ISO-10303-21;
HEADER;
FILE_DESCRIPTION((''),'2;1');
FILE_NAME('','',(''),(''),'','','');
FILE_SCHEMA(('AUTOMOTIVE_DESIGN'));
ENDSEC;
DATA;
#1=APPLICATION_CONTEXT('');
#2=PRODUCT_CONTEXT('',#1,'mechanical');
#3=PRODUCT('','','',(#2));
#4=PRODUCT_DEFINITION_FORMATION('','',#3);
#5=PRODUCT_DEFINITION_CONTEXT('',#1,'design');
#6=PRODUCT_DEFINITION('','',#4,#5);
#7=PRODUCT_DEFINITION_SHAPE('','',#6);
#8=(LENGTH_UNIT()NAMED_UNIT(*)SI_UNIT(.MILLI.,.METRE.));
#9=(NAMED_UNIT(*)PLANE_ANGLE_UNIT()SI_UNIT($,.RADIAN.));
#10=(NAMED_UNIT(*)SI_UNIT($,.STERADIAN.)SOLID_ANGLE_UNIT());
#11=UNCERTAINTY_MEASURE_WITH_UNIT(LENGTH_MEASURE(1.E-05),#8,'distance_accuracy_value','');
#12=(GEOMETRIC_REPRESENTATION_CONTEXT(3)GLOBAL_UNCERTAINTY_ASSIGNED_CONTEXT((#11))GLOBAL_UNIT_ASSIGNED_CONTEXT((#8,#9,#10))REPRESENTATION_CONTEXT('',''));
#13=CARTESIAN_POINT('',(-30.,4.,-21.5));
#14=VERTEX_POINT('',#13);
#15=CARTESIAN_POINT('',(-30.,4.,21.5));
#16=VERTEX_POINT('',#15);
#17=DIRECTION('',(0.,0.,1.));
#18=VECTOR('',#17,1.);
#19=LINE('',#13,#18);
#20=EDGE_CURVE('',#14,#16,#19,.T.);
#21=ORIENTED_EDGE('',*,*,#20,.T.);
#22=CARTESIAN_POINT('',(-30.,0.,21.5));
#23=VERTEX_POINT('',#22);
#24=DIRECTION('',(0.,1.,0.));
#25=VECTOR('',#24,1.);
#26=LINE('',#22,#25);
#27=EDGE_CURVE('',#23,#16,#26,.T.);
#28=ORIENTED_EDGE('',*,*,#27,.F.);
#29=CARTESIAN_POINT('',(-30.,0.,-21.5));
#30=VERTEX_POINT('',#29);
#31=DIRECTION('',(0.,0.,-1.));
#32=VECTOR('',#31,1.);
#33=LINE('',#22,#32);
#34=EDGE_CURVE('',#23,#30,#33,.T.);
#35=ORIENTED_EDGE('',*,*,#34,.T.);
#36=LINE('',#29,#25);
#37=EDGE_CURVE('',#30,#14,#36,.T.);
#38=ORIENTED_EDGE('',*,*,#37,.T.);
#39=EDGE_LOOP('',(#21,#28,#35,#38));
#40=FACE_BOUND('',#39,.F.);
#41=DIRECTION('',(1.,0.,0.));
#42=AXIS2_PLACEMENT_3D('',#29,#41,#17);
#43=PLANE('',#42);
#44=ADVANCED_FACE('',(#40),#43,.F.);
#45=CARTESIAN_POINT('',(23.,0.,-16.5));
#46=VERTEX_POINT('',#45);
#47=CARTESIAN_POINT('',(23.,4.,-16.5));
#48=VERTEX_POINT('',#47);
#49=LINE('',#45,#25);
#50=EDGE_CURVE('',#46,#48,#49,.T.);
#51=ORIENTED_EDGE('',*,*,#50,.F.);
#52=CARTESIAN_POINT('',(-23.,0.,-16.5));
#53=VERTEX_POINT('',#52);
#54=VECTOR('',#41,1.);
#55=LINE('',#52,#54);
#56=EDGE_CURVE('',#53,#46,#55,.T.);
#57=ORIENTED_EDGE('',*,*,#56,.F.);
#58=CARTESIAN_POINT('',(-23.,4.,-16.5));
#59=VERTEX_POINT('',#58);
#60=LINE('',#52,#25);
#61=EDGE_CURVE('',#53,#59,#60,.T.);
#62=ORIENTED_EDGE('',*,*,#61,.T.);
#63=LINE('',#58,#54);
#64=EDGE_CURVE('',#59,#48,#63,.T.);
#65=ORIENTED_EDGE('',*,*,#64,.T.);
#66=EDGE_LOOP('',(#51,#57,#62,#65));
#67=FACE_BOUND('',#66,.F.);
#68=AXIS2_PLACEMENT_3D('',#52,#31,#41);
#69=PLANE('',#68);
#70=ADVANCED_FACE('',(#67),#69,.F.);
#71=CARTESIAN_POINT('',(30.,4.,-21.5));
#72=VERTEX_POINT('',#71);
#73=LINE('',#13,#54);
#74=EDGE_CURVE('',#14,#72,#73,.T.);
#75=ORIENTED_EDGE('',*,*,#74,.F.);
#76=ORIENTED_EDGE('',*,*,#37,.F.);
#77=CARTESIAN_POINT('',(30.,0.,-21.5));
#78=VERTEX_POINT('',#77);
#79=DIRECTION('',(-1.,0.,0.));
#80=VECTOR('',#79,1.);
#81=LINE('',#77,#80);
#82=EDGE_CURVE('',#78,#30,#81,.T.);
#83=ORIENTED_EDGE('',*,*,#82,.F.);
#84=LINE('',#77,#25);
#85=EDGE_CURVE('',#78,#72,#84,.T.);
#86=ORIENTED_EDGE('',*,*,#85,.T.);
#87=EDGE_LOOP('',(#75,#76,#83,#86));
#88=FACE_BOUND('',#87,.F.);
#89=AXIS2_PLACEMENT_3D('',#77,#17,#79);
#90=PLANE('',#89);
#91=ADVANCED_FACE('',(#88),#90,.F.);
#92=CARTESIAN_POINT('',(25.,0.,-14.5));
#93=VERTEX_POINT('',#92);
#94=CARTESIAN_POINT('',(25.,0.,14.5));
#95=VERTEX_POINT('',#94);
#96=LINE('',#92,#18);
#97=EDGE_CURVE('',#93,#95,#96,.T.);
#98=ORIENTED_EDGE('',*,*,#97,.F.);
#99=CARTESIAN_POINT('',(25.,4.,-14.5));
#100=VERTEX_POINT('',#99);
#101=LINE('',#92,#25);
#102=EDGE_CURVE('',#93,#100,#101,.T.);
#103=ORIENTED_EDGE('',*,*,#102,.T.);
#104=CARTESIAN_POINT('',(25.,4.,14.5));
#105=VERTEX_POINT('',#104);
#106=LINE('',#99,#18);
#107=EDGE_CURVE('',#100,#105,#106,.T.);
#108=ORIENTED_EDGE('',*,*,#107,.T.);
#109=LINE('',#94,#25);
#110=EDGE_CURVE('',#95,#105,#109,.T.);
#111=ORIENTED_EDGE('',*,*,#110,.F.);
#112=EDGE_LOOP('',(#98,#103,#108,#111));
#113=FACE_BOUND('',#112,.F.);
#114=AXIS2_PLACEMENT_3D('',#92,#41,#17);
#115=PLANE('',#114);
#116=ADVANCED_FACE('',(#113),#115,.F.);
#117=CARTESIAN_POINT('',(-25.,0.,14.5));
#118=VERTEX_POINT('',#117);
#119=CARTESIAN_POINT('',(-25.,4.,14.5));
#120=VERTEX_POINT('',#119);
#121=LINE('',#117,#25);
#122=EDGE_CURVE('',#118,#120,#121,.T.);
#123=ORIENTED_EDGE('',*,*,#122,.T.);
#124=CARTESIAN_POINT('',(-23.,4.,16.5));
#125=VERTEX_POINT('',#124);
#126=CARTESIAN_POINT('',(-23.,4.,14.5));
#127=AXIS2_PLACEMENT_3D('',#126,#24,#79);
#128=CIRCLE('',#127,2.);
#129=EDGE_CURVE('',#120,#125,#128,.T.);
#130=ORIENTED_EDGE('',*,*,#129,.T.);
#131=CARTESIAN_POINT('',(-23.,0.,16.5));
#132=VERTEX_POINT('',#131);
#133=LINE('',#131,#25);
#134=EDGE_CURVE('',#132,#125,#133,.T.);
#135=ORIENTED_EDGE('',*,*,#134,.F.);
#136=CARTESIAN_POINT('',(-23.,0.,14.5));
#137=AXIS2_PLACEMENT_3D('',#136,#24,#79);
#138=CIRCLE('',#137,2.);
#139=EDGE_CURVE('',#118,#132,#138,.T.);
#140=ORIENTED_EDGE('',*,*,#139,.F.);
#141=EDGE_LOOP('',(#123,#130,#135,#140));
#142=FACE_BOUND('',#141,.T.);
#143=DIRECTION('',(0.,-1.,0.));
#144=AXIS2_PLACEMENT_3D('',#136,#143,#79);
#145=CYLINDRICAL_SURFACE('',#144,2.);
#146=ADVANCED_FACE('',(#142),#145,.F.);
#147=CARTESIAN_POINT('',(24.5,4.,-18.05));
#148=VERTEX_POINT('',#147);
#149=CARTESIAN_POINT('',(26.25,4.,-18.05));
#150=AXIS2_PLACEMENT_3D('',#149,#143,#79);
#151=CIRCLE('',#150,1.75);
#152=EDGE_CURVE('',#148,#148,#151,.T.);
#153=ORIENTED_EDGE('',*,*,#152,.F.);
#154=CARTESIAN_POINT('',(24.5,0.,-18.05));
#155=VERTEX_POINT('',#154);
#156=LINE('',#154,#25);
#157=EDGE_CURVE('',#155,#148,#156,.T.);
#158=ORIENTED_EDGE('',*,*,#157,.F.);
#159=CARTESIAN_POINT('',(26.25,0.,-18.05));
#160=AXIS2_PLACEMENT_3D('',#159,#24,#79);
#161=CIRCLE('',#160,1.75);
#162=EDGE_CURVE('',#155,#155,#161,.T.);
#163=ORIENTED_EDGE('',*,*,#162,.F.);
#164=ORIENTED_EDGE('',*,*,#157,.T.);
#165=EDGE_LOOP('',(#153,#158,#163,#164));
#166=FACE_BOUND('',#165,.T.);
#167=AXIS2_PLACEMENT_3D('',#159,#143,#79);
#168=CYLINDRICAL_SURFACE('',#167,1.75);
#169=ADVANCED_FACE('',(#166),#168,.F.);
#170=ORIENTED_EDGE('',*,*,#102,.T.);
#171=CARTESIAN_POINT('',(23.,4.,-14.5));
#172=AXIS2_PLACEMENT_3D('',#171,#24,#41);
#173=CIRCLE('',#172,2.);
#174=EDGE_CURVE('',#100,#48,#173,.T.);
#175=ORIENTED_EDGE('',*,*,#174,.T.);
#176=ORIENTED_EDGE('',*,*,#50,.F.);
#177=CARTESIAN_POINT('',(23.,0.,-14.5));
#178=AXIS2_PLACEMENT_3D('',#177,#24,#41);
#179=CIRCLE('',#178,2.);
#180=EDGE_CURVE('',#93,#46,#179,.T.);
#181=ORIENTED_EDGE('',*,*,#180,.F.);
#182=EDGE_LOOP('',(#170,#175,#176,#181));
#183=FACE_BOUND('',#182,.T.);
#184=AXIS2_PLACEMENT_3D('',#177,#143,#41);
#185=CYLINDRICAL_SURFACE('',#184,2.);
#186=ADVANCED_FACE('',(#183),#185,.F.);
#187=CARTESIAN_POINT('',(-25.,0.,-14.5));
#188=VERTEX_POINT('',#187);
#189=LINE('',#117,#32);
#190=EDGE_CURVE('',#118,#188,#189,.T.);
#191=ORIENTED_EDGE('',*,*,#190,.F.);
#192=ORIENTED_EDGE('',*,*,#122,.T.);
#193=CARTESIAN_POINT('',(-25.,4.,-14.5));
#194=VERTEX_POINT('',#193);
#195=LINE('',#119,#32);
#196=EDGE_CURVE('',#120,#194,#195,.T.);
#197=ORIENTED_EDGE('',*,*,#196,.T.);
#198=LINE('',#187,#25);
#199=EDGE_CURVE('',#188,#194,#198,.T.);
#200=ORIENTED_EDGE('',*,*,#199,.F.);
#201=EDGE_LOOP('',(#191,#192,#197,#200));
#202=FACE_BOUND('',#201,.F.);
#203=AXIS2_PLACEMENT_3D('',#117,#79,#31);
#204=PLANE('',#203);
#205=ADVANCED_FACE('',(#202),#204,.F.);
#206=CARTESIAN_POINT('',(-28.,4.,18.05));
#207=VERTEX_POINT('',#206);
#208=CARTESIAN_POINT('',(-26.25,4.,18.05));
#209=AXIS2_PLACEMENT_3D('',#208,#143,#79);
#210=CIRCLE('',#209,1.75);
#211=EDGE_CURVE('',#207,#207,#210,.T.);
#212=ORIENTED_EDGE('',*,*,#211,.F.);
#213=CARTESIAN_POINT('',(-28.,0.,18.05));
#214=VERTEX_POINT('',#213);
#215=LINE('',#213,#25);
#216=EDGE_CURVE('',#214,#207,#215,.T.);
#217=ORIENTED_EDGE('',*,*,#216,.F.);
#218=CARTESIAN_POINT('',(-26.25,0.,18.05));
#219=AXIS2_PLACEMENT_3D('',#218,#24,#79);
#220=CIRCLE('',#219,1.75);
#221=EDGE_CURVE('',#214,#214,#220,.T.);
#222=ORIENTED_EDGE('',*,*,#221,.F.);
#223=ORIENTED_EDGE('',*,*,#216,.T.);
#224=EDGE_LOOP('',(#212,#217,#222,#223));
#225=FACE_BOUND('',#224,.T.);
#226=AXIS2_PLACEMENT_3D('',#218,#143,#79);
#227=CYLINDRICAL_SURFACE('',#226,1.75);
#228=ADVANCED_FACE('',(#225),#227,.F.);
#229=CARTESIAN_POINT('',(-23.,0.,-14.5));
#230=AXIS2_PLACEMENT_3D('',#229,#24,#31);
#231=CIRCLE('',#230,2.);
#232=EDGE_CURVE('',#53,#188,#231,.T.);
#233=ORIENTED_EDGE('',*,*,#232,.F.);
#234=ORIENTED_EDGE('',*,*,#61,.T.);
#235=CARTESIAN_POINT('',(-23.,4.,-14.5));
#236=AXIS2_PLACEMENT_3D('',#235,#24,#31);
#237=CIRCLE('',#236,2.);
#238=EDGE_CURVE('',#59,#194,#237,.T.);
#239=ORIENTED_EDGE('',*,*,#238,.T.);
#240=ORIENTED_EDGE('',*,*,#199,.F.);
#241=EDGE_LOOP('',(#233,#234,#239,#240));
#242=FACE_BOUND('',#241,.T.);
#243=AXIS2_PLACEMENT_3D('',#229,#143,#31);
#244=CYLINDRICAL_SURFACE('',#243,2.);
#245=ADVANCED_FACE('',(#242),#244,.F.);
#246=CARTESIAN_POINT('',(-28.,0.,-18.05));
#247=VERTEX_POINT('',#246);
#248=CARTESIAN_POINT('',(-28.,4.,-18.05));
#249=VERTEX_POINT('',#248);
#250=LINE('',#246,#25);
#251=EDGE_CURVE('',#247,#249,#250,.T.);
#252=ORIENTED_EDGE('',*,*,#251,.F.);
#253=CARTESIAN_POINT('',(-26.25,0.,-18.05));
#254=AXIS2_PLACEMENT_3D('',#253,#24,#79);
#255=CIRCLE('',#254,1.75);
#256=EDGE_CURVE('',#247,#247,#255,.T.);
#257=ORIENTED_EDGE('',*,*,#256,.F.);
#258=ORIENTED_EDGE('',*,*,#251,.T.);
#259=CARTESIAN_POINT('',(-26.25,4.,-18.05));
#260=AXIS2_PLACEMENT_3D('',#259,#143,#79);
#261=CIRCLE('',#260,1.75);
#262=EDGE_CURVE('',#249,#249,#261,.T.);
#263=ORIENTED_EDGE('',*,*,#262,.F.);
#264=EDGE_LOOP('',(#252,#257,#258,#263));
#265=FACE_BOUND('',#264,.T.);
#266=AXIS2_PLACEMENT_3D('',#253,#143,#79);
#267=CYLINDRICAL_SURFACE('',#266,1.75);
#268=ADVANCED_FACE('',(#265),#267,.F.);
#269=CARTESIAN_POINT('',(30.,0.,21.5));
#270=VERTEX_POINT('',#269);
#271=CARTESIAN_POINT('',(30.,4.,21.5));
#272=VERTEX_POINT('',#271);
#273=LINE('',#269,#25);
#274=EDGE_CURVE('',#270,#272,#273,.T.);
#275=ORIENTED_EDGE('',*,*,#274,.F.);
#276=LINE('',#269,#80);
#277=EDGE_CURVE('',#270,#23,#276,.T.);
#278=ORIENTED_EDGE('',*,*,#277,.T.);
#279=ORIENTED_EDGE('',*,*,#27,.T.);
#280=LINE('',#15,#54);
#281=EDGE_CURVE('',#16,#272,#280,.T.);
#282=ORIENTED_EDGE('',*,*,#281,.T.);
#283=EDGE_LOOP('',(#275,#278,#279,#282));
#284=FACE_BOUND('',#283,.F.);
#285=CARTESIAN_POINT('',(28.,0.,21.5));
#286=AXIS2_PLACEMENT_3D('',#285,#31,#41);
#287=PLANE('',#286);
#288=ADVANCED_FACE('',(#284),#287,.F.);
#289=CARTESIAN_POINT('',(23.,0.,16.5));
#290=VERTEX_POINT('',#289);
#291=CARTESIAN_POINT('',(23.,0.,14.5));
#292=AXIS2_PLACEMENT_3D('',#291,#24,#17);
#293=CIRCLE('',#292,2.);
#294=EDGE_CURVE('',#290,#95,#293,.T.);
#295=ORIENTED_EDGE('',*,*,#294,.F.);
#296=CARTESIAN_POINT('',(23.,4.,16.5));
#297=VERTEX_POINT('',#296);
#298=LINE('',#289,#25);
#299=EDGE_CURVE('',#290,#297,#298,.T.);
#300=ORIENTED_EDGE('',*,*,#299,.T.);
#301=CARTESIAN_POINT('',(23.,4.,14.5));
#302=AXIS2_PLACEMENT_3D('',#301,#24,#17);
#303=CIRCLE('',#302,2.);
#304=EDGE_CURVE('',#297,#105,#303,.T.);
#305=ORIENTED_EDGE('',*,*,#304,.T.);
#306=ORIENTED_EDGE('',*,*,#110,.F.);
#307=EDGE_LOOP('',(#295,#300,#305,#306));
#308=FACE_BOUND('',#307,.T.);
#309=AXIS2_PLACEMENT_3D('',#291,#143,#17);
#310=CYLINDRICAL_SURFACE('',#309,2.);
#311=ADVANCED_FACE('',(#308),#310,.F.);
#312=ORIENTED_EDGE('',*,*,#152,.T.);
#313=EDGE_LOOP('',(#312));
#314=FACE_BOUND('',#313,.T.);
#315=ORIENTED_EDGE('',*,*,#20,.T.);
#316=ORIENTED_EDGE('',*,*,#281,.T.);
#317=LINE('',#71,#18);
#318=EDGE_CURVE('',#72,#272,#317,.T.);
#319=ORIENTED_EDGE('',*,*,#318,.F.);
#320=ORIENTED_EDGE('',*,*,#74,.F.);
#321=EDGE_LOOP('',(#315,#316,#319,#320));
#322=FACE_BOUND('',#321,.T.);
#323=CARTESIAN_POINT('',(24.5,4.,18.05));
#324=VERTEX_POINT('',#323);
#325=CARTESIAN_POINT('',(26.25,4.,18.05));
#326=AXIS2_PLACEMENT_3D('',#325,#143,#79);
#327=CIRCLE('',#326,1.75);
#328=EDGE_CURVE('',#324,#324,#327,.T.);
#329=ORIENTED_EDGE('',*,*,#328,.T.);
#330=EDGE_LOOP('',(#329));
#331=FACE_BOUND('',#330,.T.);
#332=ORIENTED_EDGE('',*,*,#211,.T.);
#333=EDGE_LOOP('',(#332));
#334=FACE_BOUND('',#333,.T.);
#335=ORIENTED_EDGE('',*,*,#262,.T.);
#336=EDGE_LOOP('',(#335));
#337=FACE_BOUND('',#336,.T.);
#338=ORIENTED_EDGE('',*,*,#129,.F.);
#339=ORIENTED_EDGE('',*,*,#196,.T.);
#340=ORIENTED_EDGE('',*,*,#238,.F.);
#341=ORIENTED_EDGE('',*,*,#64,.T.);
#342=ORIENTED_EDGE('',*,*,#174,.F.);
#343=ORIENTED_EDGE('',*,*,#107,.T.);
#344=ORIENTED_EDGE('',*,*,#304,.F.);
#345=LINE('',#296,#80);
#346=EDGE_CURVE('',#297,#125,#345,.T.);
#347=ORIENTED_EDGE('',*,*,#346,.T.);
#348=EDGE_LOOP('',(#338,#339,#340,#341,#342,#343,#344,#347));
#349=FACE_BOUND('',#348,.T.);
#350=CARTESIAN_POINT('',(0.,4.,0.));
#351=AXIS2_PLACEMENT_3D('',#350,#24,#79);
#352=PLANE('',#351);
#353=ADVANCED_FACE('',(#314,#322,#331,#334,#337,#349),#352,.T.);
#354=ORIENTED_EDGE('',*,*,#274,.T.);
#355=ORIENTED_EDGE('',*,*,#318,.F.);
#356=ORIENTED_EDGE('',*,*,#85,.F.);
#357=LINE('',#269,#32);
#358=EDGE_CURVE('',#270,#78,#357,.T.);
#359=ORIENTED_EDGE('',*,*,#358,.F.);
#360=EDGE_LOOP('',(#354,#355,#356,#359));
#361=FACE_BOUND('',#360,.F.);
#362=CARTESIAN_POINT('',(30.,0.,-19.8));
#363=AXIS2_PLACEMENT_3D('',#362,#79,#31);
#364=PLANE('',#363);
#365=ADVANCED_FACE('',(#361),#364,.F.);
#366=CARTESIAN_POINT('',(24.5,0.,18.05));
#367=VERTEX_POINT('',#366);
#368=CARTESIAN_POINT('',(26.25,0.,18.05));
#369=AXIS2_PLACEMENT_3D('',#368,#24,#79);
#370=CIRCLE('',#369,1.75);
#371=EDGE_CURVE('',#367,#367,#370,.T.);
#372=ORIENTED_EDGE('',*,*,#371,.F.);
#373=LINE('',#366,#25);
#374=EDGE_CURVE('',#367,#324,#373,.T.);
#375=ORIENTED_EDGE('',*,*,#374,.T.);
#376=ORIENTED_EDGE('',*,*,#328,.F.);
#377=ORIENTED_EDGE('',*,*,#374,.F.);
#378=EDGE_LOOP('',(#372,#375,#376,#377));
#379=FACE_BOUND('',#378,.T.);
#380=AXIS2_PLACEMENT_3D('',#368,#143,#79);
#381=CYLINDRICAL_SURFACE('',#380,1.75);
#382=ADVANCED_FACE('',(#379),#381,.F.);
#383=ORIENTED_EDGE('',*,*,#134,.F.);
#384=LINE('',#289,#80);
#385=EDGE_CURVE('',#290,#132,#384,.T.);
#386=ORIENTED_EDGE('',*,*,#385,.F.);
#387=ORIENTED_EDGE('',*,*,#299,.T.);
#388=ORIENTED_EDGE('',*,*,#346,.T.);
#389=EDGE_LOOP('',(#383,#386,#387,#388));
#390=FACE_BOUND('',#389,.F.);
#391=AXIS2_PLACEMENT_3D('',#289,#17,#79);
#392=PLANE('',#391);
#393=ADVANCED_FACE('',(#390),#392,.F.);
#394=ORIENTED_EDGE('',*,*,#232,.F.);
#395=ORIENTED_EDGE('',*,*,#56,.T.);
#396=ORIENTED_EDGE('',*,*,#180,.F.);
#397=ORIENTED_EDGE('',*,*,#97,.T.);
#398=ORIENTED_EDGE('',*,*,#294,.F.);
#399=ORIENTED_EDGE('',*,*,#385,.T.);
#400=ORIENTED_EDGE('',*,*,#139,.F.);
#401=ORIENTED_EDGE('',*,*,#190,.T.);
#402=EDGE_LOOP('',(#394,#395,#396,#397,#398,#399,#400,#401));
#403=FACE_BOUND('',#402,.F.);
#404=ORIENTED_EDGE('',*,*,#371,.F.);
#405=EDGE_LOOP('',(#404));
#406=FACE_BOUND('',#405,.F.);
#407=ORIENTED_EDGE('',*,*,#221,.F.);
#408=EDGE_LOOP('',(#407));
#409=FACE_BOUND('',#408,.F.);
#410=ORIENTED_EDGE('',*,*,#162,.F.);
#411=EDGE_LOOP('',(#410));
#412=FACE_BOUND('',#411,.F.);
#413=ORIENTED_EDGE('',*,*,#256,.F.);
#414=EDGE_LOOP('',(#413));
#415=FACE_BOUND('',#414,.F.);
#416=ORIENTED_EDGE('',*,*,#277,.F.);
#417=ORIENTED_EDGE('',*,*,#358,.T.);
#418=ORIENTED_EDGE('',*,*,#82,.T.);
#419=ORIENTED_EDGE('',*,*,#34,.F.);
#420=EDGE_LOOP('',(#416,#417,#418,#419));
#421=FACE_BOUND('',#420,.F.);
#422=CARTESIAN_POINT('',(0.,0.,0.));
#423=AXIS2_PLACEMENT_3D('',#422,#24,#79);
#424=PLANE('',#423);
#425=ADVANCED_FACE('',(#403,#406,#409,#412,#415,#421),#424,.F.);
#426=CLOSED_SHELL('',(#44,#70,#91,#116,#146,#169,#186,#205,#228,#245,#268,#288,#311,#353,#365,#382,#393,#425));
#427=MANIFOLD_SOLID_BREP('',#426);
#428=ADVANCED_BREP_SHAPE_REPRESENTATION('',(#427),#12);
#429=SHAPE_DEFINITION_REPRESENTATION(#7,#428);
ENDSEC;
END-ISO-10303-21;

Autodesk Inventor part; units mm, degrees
ref_plane "YZ Plane" through (0, 0, 0) normal (1, 0, 0) x (0, 1, 0)
ref_plane "XZ Plane" through (0, 0, 0) normal (0, 1, 0) x (-1, 0, 0)
ref_plane "XY Plane" through (0, 0, 0) normal (0, 0, 1) x (1, 0, 0)
sketch "Boceto1" plane through (0, 0, 0) normal (0, 1, 0) x (-1, 0, 0)
  line L0 (-30, -21.5) -> (30, -21.5)
  line L1 (30, -21.5) -> (30, 21.5)
  line L2 (30, 21.5) -> (-30, 21.5)
  line L3 (-30, 21.5) -> (-30, -21.5)
  line L4 (-30, -21.5) -> (30, 21.5) construction
  line L5 (30, -21.5) -> (-30, 21.5) construction
  line L6 (-23, 16.5) -> (23, 16.5)
  line L7 (25, 14.5) -> (25, -14.5)
  line L8 (23, -16.5) -> (-23, -16.5)
  line L9 (-25, -14.5) -> (-25, 14.5)
  line L10 (30, 21.5) -> (28, 21.5)
  line L11 (28, 21.5) -> (28, -21.5)
  line L12 (-30, 21.5) -> (-28, 21.5)
  line L13 (-28, 21.5) -> (-28, -21.5)
  line L14 (30, 21.5) -> (30, 19.8)
  line L15 (30, 19.8) -> (-30, 19.8)
  line L16 (30, -21.5) -> (30, -19.8)
  line L17 (30, -19.8) -> (-30, -19.8)
  circle A0 centre (26.25, -18.05) radius 1.75
  circle A1 centre (26.25, 18.05) radius 1.75
  circle A2 centre (-26.25, 18.05) radius 1.75
  circle A3 centre (-26.25, -18.05) radius 1.75
  arc A4 (25, 14.5) -> (23, 16.5) centre (23, 14.5) ccw
  arc A5 (23, -16.5) -> (25, -14.5) centre (23, -14.5) ccw
  arc A6 (-25, -14.5) -> (-23, -16.5) centre (-23, -14.5) ccw
  arc A7 (-23, 16.5) -> (-25, 14.5) centre (-23, 14.5) ccw
  point P0 (0, 0)
  dimension "d0" = 60
  dimension "d1" = 43
  dimension "d2" = 5
  dimension "d3" = 2
  dimension "d4" = 2
  dimension "d5" = 1.7
  dimension "d6" = 1.7
  dimension "d8" = 3.5
  dimension "d9" = 3.5
  dimension "d10" = 3.5
  dimension "d11" = 3.5
  dimension "d12" = 2
  dimension "d13" = 2
extrude "Extrusión1" add sketch "Boceto1" along normal blind 4 contours L3 L17 L13 L0 | L13 L17 L11 L0 | L3 L15 L13 L17 | L11 L17 L1 L0 | L13 A3 L17 | L3 L2 L13 L15 | L17 A0 L11 | L11 L15 L1 L17 | L13 A2 L15 A1 L11 A0 L17 A3 | L15 A2 L13 | L13 L2 L11 L15 | L15 L11 L2 L1 | A1 L15 L11
properties part number "Buck 1"
